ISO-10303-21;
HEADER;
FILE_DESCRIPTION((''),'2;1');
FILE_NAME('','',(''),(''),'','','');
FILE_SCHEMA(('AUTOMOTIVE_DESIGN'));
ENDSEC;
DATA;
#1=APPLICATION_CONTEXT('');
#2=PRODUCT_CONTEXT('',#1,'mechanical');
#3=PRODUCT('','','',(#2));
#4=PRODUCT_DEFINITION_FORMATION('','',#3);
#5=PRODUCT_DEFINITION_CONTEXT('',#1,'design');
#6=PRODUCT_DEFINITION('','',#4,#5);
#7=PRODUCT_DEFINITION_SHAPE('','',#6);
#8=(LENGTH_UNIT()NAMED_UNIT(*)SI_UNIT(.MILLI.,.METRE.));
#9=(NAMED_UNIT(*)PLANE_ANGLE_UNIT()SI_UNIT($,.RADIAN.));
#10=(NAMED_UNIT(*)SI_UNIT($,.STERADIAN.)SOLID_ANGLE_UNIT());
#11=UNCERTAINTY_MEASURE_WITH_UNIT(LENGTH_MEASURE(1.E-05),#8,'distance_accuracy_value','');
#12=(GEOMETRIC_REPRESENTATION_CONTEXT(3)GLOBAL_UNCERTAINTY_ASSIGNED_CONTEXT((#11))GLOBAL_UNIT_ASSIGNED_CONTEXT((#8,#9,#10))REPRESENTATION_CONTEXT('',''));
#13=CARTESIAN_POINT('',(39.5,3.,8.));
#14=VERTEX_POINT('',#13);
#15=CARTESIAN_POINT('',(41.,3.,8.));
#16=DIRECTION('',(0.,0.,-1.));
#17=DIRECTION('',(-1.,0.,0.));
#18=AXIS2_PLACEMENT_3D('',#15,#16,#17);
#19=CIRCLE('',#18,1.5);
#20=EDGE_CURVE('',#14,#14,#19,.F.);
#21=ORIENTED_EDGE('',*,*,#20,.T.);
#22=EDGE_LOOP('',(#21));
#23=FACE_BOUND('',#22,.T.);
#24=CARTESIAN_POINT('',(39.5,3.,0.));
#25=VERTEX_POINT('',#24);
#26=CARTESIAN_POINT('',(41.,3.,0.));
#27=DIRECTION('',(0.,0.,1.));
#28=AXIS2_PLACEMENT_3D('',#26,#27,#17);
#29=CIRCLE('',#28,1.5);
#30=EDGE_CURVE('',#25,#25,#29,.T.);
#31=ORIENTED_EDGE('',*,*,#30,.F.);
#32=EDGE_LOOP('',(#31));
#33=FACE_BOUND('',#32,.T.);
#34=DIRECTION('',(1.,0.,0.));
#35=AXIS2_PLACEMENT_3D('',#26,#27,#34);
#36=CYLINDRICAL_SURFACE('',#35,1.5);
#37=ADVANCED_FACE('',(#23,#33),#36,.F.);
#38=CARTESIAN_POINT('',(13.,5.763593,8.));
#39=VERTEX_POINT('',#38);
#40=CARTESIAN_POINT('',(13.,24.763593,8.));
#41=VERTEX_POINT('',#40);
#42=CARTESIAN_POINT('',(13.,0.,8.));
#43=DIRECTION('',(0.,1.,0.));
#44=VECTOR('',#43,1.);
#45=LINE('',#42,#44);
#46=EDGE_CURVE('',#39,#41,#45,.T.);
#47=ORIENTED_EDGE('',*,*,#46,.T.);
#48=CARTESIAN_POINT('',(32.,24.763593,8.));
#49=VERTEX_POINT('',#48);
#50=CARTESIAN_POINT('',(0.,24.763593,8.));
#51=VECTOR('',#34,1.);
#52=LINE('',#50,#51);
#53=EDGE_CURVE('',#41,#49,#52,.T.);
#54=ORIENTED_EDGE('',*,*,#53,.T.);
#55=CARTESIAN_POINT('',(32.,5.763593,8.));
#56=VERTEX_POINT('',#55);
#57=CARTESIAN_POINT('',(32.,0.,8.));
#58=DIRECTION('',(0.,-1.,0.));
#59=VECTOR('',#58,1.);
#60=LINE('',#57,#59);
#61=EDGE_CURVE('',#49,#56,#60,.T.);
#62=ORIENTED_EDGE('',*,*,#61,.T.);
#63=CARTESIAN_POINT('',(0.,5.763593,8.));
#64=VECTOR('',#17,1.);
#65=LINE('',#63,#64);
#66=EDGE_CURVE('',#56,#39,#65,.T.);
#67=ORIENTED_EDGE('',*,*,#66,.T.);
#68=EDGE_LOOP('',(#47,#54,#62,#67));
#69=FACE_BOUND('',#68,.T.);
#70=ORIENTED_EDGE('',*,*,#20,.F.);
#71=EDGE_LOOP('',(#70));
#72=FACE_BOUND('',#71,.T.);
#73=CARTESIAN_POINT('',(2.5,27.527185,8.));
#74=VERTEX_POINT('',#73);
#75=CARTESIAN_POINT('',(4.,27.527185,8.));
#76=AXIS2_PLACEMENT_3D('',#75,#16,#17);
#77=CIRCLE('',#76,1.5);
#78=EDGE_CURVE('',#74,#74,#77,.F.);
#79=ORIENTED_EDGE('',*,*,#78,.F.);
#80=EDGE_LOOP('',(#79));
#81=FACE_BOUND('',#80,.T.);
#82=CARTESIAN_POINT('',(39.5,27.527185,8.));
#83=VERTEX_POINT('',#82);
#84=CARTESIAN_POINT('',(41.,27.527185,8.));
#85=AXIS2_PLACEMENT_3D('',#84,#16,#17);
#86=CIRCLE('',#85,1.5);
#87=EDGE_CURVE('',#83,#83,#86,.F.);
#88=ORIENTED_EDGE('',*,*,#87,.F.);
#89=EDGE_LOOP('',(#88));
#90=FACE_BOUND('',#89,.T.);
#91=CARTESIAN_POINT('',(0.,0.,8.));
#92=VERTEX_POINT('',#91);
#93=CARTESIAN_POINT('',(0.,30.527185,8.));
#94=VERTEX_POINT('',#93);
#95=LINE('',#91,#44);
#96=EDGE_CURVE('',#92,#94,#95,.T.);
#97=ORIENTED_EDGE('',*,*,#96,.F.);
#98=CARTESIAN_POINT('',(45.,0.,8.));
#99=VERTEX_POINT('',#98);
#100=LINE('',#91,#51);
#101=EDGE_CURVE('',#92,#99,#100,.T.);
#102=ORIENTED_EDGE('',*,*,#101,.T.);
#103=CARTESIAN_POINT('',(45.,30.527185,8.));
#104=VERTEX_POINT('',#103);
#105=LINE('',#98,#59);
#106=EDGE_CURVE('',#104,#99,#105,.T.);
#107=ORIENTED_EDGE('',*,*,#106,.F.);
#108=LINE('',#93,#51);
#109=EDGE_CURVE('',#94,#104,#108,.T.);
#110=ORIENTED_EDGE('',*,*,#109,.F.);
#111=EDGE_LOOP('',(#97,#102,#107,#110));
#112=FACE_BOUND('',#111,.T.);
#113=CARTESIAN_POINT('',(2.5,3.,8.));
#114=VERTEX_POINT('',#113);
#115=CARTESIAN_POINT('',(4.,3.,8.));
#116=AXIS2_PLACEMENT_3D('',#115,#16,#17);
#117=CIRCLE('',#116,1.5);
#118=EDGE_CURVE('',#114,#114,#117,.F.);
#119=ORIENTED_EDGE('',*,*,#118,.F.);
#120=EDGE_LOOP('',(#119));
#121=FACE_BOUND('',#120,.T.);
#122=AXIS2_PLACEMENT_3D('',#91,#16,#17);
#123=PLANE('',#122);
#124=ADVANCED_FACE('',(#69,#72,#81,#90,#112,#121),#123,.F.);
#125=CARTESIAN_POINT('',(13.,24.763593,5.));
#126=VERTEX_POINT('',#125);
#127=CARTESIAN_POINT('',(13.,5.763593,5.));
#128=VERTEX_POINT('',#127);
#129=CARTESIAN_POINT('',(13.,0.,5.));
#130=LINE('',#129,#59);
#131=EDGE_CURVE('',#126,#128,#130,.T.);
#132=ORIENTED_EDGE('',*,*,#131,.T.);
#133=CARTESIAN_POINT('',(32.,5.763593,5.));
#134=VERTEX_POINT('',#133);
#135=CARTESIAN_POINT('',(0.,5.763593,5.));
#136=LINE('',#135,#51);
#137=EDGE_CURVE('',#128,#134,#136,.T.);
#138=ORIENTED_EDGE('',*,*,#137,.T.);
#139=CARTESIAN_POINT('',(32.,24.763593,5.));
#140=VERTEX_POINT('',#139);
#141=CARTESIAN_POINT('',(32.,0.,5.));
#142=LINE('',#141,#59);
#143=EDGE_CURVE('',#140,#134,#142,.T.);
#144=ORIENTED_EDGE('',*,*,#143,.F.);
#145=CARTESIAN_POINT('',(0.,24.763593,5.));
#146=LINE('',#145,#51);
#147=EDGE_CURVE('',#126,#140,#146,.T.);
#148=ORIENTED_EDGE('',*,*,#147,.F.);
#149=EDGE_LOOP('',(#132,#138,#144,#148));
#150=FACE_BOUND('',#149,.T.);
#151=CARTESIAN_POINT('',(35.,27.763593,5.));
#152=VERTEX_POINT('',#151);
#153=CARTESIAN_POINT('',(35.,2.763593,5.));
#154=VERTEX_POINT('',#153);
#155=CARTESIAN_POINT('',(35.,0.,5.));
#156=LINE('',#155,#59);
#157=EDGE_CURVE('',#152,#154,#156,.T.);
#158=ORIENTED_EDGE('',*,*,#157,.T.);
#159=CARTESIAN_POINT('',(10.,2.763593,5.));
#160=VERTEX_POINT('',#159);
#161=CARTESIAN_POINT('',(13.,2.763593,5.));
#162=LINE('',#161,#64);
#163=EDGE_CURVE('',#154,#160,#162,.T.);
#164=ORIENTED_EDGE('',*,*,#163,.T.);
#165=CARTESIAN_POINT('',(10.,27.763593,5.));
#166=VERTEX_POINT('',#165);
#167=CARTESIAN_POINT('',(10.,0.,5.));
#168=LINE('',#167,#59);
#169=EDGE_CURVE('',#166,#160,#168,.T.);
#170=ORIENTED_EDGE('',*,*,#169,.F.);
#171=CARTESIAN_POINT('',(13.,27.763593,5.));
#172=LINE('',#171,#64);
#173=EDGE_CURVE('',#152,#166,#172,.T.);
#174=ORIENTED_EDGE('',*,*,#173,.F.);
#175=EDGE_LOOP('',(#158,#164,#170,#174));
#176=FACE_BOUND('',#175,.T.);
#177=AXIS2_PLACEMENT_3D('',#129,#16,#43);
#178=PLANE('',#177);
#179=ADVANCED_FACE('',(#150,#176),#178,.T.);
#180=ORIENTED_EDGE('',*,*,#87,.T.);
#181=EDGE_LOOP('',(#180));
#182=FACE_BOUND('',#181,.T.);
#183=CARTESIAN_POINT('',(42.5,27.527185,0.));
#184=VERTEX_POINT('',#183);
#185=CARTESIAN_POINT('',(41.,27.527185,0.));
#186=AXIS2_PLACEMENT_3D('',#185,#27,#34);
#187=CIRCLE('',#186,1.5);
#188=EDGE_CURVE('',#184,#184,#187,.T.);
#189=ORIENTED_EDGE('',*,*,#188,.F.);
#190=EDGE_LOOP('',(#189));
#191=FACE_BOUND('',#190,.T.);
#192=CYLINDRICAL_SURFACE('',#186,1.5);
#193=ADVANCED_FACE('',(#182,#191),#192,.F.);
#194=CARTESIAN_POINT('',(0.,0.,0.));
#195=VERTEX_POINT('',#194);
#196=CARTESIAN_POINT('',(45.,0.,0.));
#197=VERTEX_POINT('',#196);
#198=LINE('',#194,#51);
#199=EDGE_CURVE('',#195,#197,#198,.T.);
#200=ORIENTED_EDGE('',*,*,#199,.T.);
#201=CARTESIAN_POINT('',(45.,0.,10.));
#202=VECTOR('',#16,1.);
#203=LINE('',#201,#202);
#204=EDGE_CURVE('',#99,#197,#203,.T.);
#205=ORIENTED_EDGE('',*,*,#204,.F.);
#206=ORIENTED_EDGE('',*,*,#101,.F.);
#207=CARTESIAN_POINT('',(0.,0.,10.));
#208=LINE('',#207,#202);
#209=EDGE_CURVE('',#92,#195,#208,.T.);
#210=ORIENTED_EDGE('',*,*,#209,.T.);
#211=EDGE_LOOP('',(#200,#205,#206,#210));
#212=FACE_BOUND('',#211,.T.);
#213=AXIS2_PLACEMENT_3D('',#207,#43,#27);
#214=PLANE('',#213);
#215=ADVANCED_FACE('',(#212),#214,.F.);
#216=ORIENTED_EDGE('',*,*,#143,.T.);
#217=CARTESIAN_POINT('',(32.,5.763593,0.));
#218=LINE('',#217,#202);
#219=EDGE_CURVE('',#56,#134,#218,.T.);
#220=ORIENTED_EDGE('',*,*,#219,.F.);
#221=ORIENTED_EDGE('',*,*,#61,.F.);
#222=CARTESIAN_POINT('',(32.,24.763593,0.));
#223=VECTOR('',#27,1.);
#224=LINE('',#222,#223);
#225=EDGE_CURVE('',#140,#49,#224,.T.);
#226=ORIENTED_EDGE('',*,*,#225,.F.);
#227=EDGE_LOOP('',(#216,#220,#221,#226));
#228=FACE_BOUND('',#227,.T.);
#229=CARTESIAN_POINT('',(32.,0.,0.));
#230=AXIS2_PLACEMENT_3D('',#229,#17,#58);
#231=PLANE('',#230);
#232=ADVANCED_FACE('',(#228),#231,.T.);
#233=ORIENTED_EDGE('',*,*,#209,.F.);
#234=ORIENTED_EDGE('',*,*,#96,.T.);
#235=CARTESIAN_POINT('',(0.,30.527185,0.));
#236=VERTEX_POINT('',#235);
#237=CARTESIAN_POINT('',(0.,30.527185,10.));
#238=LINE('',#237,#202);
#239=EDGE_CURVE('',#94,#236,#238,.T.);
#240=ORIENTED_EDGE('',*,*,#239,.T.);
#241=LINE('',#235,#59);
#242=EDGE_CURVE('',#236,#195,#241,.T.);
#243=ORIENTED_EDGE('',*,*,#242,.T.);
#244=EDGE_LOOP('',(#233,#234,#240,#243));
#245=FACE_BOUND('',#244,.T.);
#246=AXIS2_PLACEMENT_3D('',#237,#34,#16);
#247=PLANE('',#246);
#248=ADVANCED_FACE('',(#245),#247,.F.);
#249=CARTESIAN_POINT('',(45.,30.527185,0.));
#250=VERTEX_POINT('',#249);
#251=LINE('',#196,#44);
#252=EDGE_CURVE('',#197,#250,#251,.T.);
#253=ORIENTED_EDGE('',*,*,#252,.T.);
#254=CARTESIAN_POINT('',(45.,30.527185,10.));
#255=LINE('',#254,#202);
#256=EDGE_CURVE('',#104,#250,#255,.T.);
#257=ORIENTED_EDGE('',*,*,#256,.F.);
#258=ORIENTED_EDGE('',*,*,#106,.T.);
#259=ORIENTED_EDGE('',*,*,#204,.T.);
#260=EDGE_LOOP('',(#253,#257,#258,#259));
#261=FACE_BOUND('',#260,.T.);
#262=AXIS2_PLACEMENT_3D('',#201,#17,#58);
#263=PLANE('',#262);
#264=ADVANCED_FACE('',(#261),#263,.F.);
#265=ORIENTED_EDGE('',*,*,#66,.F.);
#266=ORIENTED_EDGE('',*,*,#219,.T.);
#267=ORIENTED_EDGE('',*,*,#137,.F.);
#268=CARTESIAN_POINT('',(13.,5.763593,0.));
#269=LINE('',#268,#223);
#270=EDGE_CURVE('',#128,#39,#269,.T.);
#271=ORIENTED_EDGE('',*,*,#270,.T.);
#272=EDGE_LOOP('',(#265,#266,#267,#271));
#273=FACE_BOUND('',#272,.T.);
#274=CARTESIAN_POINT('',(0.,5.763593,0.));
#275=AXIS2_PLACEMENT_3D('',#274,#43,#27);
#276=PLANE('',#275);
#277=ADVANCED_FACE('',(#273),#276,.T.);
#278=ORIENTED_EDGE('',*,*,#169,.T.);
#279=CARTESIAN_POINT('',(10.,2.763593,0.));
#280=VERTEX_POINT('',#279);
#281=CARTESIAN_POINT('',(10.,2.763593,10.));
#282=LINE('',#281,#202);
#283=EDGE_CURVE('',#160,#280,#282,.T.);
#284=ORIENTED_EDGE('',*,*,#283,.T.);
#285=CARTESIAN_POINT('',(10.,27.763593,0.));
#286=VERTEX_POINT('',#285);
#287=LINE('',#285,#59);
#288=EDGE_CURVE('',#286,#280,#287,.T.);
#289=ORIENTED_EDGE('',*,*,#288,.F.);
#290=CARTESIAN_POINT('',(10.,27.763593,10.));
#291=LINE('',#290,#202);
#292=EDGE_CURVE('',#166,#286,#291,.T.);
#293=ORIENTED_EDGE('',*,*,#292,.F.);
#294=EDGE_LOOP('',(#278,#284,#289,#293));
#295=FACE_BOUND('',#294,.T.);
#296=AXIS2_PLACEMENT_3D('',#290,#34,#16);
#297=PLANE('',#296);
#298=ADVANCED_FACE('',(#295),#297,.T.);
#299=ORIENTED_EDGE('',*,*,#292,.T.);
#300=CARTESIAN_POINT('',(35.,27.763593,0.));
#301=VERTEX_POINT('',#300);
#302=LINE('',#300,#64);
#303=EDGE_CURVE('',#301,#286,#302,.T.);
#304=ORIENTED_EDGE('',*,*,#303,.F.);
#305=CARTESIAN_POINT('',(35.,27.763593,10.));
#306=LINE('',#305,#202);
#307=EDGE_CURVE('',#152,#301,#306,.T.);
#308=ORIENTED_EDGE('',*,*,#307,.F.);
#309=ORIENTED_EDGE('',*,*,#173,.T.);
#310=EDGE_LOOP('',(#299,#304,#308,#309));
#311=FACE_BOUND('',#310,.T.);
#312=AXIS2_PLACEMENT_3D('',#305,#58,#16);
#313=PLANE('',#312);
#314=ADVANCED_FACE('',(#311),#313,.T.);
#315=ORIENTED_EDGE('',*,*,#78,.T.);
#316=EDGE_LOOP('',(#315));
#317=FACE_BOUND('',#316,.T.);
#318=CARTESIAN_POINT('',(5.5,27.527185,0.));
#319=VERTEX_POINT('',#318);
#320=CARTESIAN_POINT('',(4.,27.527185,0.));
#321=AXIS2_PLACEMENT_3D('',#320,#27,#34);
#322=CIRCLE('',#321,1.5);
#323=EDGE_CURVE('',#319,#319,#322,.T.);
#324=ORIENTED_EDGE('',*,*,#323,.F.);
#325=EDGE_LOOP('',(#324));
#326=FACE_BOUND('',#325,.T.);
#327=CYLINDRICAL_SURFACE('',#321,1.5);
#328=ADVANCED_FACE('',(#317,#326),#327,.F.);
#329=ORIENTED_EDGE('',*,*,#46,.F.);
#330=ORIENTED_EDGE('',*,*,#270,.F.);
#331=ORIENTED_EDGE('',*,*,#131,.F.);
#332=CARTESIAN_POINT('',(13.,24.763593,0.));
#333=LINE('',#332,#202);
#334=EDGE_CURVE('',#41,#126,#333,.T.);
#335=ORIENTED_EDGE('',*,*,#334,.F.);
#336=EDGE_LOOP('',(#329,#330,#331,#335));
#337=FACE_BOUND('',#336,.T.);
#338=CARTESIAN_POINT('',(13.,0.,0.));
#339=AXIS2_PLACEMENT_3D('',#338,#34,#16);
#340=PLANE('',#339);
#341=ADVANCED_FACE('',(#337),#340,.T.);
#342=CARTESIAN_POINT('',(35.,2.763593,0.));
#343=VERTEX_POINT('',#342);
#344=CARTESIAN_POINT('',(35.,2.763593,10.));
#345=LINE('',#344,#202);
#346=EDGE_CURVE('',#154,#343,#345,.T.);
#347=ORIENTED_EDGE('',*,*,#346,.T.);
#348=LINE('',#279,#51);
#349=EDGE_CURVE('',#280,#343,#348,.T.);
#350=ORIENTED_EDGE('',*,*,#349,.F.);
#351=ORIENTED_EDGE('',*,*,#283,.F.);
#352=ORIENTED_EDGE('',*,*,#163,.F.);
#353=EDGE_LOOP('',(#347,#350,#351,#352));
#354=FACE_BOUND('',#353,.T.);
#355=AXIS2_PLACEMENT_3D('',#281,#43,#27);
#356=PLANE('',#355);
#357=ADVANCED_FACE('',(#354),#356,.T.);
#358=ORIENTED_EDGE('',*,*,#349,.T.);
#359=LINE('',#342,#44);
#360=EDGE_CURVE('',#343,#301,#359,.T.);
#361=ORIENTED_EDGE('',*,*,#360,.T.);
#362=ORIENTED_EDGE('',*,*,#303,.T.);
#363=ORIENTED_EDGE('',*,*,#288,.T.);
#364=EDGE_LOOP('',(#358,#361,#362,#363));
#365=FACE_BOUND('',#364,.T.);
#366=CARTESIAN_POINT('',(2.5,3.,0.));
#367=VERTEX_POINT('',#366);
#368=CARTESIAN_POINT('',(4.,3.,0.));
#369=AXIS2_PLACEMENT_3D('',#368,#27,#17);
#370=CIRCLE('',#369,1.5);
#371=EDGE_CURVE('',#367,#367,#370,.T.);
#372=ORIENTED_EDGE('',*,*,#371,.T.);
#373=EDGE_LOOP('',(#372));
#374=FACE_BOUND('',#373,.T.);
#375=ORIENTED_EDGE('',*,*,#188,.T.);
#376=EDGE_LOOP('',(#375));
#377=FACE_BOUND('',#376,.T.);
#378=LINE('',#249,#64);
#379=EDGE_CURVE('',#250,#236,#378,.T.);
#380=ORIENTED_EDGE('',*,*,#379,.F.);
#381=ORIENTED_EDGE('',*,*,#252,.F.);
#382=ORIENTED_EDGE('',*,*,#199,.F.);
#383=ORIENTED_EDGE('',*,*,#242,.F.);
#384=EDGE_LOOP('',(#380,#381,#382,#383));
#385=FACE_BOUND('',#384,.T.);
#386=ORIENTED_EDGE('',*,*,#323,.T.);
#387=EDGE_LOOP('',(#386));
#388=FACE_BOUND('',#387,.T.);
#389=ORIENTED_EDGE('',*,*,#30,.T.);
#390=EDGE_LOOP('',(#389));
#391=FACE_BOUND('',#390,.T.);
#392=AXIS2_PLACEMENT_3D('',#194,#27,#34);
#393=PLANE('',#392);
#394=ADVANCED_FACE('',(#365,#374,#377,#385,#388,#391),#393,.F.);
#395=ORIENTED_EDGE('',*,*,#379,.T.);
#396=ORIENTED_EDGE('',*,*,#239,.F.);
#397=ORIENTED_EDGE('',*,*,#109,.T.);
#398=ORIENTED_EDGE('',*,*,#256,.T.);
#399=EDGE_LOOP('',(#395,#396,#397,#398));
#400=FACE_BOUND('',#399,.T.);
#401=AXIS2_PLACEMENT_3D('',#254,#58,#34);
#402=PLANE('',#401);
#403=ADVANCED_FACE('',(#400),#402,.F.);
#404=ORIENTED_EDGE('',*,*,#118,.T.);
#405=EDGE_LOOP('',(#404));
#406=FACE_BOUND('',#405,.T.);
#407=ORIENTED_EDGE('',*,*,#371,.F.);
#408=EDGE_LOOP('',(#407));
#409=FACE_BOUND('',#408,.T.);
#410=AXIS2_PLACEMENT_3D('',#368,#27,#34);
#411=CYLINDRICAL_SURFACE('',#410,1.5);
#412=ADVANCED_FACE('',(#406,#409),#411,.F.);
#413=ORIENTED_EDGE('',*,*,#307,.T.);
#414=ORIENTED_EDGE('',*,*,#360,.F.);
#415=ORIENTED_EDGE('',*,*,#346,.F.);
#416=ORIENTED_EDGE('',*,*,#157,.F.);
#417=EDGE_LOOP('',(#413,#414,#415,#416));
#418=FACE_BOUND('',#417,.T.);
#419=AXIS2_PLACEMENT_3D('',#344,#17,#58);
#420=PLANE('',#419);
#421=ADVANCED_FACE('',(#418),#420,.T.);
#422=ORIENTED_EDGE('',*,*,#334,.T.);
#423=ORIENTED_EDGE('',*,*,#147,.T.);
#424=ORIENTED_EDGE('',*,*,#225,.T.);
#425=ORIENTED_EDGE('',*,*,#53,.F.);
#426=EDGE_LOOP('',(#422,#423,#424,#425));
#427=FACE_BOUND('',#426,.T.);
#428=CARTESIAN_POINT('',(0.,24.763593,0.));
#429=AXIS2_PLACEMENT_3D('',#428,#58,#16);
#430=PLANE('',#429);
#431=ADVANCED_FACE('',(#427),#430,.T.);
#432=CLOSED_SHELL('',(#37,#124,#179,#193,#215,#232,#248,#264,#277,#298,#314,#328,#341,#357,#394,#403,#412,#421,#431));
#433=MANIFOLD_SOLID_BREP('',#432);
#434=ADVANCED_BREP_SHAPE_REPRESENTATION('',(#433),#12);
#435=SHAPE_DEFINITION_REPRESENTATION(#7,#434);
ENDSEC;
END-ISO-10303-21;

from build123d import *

# Parameters (mm, degrees)
SKETCH1_W               = 45
SKETCH1_H               = 30.527185319
SKETCH1_W_2             = 25
SKETCH1_H_2             = 25
BOSS_EXTRUDE1_DEPTH     = 10
SKETCH2_W               = 5
SKETCH2_H               = 25
BOSS_EXTRUDE2_DEPTH     = 3
SKETCH3_W               = 5
SKETCH3_H               = 25
BOSS_EXTRUDE3_DEPTH     = 3
SKETCH4_W               = 19
SKETCH4_H               = 5
BOSS_EXTRUDE4_DEPTH     = 3
SKETCH5_W               = 19
SKETCH5_H               = 5
BOSS_EXTRUDE5_DEPTH     = 3
SKETCH6_R               = 1.5
CUT_EXTRUDE1_DEPTH      = 56.289321243
CUT_EXTRUDE2_DEPTH      = 56.289321243
CUT_EXTRUDE2_DEPTH_BACK = 56.289321243
SKETCH7_W               = 2
SKETCH7_H               = 30.527185319


with BuildPart() as part:
    # Sketch1 → Boss-Extrude1 (new body)
    with BuildSketch(Plane.XY):
        with Locations((22.5, 15.26359266)):
            Rectangle(SKETCH1_W, SKETCH1_H)
        with Locations((22.5, 15.26359266)):
            Rectangle(SKETCH1_W_2, SKETCH1_H_2, mode=Mode.SUBTRACT)
    extrude(amount=BOSS_EXTRUDE1_DEPTH)

    # Sketch2 → Boss-Extrude2 (add)
    with BuildSketch(Plane(origin=(10, 0, 0), x_dir=(0, 0, -1), z_dir=(1, 0, 0))):
        with Locations((-7.5, 15.26359266)):
            Rectangle(SKETCH2_W, SKETCH2_H)
    extrude(amount=BOSS_EXTRUDE2_DEPTH)

    # Sketch3 → Boss-Extrude3 (add)
    with BuildSketch(Plane.ZY.offset(-35)):
        with Locations((7.5, 15.26359266)):
            Rectangle(SKETCH3_W, SKETCH3_H)
    extrude(amount=BOSS_EXTRUDE3_DEPTH)

    # Sketch4 → Boss-Extrude4 (add)
    with BuildSketch(Plane.XZ.offset(-27.76359266)):
        with Locations((22.5, 7.5)):
            Rectangle(SKETCH4_W, SKETCH4_H)
    extrude(amount=BOSS_EXTRUDE4_DEPTH)

    # Sketch5 → Boss-Extrude5 (add)
    with BuildSketch(Plane(origin=(0, 2.76359266, 0), x_dir=(1, 0, 0), z_dir=(0, 1, 0))):
        with Locations((22.5, -7.5)):
            Rectangle(SKETCH5_W, SKETCH5_H)
    extrude(amount=BOSS_EXTRUDE5_DEPTH)

    # Sketch6 → Cut-Extrude1 (cut, through all)
    with BuildSketch(Plane.XY.offset(10)):
        with Locations((4, 27.527185319)):
            Circle(SKETCH6_R)
        with Locations((41, 27.527185319)):
            Circle(SKETCH6_R)
        with Locations(Location((41, 3, 0), (0, 0, 180))):
            Circle(SKETCH6_R)
        with Locations(Location((4, 3, 0), (0, 0, 180))):
            Circle(SKETCH6_R)
    extrude(amount=-CUT_EXTRUDE1_DEPTH, mode=Mode.SUBTRACT)

    # Sketch7 → Cut-Extrude2 (cut, two sides: drawn at the far end of the back side and taken through both)
    with BuildSketch(Plane(origin=(45, 0, 0), x_dir=(0, 0, -1), z_dir=(1, 0, 0)).offset(-CUT_EXTRUDE2_DEPTH_BACK)):
        with Locations((-9, 15.26359266)):
            Rectangle(SKETCH7_W, SKETCH7_H)
    extrude(amount=CUT_EXTRUDE2_DEPTH + CUT_EXTRUDE2_DEPTH_BACK, mode=Mode.SUBTRACT)


solid = part.part
